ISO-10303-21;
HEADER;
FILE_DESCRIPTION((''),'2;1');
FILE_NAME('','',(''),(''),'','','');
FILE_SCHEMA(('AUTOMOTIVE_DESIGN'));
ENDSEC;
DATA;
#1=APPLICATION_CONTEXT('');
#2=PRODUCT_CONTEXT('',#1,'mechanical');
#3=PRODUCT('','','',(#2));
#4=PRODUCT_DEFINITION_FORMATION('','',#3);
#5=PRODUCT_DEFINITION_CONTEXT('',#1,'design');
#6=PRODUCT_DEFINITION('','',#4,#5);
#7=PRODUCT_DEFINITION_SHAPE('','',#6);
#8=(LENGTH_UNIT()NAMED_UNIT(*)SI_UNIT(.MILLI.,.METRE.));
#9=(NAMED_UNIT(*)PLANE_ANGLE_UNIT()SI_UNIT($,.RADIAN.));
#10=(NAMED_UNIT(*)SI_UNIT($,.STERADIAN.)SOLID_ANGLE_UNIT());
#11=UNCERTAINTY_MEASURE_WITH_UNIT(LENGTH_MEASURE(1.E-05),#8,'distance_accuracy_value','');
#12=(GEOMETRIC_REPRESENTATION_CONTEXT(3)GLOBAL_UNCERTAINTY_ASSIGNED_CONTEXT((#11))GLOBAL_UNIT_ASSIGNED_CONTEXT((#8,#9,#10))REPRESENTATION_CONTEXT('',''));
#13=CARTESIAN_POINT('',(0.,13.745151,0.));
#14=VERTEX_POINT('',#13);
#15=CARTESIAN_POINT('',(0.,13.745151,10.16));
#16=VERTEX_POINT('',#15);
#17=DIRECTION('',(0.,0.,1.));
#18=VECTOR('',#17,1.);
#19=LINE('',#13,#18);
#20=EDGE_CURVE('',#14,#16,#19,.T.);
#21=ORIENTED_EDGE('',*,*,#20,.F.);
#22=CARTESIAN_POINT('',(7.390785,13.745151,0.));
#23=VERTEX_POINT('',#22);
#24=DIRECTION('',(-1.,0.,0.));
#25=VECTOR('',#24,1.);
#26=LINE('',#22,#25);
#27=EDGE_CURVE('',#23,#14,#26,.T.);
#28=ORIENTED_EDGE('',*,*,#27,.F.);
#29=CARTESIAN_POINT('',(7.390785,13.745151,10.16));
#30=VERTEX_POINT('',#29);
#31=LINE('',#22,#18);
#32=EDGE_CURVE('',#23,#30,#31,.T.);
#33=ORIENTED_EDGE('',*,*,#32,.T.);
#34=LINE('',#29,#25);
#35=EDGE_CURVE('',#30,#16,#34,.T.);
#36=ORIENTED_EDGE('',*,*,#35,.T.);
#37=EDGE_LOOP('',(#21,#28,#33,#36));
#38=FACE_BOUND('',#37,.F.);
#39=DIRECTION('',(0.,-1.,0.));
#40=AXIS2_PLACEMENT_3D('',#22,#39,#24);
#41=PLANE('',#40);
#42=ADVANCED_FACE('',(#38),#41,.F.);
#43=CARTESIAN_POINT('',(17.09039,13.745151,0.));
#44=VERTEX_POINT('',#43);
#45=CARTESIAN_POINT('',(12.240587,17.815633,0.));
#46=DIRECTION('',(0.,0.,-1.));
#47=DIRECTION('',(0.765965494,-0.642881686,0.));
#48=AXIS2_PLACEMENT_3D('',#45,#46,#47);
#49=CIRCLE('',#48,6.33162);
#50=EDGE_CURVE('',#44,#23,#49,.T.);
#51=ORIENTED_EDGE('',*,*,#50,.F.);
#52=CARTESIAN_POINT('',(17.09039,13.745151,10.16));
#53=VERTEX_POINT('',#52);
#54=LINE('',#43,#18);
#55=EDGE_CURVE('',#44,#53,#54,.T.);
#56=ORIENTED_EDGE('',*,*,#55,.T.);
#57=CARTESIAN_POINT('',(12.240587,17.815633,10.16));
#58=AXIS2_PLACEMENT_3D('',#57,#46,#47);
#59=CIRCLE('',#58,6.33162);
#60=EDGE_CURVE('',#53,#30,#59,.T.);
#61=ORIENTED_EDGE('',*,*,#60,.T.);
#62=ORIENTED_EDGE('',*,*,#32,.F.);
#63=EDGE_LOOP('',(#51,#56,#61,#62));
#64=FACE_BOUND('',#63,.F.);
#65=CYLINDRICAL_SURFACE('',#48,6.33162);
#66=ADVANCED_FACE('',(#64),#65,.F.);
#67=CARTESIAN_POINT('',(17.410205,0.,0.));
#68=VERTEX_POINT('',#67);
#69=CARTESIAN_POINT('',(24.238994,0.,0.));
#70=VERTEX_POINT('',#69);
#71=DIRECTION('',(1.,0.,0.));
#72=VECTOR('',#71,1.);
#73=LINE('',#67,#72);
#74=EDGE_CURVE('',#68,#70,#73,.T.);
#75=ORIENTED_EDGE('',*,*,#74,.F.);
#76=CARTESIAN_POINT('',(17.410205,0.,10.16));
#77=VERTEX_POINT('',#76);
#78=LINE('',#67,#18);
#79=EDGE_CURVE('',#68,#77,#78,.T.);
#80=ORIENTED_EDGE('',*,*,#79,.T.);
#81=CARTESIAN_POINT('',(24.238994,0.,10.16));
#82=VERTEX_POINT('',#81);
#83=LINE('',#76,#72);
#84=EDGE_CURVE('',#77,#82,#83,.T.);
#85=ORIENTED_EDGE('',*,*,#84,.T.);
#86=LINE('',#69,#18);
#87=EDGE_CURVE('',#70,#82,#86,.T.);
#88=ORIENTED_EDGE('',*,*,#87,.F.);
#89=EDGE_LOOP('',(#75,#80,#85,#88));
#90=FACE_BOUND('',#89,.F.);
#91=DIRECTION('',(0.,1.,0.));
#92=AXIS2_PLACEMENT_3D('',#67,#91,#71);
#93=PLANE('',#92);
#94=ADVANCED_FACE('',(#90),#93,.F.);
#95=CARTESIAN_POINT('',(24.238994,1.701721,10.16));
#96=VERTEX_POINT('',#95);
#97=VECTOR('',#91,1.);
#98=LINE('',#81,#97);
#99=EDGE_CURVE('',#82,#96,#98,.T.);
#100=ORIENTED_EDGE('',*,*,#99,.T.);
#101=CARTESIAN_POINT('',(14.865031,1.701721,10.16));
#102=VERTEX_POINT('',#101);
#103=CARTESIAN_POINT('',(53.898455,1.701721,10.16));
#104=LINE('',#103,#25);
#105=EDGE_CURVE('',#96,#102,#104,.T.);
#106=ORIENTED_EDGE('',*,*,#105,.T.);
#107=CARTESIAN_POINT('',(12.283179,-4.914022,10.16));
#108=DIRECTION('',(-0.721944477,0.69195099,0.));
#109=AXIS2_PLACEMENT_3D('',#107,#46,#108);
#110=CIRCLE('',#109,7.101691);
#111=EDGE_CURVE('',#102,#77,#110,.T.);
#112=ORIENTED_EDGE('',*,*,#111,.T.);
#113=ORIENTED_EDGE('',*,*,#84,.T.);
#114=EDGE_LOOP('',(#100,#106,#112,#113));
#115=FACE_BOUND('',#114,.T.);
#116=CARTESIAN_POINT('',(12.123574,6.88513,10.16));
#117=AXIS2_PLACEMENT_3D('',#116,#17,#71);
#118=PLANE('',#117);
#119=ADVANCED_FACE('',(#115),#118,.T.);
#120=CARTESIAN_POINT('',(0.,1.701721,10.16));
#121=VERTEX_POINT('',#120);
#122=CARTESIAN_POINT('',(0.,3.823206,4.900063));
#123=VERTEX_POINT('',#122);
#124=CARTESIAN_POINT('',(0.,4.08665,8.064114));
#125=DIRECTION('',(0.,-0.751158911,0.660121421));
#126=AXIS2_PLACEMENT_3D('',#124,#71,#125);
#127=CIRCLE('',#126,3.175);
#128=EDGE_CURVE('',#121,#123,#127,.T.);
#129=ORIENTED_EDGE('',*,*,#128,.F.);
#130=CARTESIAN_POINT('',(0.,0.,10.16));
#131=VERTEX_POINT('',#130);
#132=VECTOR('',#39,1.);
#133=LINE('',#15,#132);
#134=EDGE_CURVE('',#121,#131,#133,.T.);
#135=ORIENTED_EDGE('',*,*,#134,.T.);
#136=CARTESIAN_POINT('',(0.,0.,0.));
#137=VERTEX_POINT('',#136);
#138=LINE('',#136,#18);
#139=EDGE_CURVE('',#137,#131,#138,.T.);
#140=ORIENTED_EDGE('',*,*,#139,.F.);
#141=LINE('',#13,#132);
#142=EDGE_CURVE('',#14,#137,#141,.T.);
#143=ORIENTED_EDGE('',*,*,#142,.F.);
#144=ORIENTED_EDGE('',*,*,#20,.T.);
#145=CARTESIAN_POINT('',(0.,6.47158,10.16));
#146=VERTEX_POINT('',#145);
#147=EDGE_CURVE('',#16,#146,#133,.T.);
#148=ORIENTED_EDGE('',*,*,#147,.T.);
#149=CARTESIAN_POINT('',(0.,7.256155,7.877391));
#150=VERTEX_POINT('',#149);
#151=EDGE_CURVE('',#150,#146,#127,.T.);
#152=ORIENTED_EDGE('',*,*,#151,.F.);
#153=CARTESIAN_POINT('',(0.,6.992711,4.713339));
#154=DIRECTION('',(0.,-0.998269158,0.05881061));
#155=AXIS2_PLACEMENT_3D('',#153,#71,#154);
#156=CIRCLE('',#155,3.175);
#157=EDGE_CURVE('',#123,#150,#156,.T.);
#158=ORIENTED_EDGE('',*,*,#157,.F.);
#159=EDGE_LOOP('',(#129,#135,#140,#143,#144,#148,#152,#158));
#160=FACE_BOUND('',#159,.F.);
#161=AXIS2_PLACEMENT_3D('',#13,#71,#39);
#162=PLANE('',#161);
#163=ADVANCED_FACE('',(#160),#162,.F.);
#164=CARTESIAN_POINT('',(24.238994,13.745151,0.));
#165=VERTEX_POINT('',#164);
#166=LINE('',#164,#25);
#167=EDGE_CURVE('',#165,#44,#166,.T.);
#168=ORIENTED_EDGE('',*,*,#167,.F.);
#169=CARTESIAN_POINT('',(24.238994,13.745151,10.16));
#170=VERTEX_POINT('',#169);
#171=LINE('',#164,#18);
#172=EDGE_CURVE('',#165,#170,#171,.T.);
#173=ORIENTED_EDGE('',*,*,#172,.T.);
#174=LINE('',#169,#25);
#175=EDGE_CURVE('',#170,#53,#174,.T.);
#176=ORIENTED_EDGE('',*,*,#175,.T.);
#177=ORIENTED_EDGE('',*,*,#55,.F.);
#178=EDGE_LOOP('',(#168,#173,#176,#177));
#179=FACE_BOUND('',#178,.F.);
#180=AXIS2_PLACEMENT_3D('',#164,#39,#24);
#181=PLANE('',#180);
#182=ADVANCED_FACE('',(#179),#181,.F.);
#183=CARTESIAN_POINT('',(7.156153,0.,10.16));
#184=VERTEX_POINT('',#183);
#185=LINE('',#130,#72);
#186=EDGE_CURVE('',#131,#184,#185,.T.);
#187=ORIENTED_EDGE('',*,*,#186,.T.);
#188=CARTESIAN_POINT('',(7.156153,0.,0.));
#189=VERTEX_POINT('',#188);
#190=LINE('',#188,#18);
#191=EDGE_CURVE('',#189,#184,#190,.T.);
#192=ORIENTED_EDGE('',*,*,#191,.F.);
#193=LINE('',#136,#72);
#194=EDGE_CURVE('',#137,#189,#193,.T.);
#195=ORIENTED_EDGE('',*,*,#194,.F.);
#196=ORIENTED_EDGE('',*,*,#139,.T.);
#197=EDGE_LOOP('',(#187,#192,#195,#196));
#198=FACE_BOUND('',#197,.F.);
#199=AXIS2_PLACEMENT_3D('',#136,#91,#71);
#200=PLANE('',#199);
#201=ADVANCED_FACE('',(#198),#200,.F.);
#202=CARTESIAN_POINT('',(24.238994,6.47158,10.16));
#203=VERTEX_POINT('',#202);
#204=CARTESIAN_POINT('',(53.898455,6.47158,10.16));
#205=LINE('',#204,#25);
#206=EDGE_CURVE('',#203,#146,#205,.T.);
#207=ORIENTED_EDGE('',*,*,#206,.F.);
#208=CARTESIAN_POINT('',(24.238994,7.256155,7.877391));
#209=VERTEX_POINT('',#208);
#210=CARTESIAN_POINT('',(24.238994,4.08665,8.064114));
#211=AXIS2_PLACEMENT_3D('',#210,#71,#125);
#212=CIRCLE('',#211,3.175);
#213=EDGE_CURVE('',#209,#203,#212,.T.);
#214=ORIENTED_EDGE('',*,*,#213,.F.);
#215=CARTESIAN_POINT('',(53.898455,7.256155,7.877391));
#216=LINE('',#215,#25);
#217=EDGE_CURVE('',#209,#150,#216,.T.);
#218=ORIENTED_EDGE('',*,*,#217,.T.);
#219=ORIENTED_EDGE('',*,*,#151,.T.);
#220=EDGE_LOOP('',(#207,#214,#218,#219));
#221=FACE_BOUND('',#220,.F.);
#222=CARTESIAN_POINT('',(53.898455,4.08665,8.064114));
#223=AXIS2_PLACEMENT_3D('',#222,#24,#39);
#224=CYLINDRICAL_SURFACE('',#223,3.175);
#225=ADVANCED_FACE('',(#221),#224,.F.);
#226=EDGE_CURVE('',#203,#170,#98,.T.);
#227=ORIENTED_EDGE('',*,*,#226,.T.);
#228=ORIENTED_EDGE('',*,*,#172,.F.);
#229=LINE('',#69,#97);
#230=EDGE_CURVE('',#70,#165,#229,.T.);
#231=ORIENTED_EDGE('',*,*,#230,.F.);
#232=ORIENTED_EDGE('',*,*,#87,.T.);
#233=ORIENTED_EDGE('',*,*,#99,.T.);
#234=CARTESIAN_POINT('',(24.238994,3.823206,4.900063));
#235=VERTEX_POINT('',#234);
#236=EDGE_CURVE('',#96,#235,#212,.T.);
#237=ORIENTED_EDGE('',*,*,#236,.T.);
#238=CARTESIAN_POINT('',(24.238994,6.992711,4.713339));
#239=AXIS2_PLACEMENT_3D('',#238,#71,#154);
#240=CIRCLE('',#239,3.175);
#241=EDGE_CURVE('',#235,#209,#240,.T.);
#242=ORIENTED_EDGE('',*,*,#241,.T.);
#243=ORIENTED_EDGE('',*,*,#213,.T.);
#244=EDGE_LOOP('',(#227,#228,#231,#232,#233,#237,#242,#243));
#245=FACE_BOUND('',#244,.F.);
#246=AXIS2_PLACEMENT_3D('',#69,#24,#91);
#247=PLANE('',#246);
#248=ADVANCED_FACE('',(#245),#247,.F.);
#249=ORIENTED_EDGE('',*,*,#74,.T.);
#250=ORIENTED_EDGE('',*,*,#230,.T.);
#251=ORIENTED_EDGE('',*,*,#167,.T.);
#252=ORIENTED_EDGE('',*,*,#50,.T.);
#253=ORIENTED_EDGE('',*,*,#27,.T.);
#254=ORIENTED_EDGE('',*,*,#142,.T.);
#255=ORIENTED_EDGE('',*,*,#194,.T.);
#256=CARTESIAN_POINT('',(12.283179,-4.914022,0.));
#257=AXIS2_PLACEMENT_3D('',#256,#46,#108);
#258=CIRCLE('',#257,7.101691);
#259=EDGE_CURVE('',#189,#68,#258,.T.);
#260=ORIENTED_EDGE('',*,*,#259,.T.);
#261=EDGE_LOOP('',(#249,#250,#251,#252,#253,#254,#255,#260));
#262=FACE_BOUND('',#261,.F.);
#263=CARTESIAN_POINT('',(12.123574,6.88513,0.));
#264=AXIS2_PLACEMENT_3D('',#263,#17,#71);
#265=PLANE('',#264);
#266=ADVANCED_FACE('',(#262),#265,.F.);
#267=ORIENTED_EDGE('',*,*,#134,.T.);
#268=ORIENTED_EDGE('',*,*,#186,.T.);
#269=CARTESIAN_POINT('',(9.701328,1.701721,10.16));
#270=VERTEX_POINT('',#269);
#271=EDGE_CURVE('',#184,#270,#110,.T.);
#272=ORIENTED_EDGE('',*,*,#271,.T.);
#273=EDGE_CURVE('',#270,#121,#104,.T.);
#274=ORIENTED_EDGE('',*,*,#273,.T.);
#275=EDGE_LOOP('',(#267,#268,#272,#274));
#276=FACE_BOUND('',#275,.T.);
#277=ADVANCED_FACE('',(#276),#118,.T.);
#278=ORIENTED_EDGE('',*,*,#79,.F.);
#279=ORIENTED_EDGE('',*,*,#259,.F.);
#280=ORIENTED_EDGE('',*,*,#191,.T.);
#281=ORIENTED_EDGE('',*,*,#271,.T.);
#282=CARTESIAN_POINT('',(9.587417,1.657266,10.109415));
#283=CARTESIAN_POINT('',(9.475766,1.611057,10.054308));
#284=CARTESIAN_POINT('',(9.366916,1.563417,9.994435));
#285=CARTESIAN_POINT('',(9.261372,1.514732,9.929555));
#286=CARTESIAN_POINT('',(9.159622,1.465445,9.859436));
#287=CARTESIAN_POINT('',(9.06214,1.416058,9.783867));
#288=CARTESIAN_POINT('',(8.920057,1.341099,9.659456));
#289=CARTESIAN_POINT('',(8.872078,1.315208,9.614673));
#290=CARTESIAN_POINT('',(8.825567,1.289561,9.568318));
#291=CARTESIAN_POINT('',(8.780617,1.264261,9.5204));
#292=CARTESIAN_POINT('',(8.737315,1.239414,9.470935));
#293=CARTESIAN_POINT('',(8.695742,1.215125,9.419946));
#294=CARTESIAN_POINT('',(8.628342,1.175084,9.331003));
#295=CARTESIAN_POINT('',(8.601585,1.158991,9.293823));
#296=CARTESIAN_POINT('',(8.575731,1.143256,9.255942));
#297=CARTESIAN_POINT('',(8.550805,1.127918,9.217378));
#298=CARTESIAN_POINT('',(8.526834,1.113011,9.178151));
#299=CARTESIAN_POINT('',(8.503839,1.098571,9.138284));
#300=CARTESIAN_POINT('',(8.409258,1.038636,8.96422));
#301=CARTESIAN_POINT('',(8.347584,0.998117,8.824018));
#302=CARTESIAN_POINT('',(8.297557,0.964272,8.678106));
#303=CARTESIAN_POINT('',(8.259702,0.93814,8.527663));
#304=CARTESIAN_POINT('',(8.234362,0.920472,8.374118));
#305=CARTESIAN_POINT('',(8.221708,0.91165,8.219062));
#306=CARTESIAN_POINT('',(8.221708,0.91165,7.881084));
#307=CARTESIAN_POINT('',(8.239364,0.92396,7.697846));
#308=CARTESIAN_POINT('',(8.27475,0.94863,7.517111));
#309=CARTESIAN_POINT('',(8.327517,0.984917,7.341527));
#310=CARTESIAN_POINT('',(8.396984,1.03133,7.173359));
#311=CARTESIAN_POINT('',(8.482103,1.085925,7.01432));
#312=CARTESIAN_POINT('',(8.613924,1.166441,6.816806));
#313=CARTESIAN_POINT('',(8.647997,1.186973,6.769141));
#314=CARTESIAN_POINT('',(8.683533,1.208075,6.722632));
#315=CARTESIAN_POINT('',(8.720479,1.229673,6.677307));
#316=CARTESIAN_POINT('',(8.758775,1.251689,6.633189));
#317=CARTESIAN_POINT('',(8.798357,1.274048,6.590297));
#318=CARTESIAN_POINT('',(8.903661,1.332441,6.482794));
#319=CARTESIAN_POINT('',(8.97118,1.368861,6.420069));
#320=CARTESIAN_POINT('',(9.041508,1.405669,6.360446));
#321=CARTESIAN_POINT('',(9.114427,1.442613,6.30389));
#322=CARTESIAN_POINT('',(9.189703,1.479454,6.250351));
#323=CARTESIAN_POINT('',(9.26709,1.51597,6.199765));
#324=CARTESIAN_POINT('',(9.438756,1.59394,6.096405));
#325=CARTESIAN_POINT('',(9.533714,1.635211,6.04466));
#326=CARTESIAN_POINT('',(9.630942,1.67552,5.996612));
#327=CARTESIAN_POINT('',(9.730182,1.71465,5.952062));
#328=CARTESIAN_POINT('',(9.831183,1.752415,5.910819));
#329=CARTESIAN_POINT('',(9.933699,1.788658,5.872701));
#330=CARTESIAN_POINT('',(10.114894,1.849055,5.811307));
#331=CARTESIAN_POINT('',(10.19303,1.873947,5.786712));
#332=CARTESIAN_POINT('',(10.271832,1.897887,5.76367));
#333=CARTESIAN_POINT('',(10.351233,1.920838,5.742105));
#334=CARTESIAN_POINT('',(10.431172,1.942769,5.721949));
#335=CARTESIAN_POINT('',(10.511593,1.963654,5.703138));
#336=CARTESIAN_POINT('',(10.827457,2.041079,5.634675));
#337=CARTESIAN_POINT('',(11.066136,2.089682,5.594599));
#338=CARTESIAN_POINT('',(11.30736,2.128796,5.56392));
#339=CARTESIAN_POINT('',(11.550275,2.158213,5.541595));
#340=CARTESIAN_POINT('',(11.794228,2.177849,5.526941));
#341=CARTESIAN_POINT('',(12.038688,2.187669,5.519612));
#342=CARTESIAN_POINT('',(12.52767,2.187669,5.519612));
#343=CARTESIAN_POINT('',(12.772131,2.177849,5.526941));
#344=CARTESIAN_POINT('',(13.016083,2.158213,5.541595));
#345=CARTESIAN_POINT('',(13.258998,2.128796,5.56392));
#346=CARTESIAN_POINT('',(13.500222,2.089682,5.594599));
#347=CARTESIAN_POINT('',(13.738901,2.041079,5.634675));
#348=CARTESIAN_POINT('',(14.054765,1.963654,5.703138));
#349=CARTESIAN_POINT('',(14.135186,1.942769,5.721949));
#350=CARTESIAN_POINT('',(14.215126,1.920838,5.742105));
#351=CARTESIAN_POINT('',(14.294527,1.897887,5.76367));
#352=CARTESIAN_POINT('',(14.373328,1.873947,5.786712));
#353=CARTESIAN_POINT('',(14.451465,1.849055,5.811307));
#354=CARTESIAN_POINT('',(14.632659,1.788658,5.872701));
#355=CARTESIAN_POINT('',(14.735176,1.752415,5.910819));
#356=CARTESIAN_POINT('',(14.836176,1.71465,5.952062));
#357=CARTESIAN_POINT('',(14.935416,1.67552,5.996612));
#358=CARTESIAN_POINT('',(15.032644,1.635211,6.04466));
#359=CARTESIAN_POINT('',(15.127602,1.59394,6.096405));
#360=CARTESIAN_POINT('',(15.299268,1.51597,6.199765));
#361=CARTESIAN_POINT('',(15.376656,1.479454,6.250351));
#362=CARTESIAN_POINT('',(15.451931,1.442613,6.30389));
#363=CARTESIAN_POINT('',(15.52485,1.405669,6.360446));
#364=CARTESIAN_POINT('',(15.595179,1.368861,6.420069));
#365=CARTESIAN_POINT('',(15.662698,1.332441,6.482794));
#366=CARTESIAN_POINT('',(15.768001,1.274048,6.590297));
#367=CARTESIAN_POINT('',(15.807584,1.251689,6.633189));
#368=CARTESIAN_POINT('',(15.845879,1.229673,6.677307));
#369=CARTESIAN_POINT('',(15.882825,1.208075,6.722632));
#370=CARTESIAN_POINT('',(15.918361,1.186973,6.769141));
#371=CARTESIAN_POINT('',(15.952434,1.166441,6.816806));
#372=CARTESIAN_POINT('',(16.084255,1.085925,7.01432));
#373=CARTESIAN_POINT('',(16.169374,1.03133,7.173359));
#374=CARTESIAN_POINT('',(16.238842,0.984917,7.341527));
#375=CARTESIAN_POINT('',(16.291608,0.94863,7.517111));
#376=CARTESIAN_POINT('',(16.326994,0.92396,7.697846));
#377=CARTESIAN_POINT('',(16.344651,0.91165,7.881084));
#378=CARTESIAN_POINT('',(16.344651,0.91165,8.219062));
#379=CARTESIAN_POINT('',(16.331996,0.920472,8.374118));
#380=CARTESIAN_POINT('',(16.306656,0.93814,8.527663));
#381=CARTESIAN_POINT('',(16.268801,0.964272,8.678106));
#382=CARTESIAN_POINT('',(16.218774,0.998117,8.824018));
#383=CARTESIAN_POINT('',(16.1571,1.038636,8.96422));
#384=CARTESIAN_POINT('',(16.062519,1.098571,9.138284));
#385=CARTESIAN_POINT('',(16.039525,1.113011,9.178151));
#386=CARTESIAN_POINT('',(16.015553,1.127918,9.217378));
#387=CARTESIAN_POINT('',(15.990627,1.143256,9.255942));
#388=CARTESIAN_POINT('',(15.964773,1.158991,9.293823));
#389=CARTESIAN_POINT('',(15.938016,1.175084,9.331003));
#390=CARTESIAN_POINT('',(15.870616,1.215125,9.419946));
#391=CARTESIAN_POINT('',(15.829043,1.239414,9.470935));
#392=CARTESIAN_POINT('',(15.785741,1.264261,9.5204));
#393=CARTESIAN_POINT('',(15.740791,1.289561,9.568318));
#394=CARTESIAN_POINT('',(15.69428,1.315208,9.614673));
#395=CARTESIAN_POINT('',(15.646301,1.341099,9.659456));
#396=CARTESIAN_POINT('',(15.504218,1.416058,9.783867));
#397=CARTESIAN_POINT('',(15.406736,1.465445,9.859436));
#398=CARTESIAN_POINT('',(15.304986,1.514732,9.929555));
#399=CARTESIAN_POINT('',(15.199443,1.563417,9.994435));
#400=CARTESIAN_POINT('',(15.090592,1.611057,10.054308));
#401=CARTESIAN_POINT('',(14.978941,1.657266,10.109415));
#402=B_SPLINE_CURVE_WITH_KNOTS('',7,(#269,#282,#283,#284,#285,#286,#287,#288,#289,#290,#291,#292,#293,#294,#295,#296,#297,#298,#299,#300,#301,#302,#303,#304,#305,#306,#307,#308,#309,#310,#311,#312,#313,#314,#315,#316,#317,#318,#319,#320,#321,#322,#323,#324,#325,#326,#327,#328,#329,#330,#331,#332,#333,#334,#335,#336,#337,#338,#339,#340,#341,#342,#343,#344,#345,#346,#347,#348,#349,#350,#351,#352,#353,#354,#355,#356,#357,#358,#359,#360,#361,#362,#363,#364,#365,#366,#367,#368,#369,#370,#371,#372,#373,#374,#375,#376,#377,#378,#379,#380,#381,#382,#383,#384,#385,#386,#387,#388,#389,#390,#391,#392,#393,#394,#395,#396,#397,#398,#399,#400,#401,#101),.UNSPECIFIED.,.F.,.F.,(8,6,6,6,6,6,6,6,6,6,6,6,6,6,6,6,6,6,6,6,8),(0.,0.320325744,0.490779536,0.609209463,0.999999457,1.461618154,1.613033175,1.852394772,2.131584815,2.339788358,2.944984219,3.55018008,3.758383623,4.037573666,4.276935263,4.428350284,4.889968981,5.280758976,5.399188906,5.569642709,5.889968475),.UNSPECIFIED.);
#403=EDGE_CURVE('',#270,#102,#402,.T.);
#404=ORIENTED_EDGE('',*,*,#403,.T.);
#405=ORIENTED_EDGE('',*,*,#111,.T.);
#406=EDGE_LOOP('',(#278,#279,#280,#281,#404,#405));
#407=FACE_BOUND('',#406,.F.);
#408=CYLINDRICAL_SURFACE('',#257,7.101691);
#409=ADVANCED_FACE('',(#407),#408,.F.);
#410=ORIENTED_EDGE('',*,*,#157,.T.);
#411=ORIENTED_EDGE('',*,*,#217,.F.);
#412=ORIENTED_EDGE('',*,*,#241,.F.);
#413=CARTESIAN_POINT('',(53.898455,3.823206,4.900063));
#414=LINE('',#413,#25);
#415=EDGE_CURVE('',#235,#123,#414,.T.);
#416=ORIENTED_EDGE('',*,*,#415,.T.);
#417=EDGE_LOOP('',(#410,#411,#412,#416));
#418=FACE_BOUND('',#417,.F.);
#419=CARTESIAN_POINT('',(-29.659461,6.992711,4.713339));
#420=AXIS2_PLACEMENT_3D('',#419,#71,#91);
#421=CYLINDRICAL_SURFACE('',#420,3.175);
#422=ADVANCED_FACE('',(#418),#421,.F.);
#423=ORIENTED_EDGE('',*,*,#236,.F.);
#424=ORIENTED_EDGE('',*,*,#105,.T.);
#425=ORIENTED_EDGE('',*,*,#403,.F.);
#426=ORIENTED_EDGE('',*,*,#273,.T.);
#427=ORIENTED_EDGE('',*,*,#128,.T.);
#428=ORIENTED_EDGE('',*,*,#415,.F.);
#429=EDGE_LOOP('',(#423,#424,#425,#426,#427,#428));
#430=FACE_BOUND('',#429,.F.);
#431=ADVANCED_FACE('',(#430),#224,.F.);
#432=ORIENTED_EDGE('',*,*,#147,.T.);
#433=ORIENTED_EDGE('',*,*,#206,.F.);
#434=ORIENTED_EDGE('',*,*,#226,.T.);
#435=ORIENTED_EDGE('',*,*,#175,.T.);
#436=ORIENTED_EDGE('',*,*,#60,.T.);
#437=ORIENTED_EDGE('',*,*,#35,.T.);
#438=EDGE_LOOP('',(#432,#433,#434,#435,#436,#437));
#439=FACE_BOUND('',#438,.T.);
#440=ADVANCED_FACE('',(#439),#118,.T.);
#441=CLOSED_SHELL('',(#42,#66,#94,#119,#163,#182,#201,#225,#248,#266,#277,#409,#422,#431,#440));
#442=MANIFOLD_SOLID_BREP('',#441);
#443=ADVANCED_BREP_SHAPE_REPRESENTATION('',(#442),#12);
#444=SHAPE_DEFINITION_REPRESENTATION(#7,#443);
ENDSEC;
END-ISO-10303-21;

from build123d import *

# Parameters (mm, degrees)
F1_DEPTH   = 10.16
F4_D       = 6.35
F4_ON_F2_D = 6.35


with BuildPart() as f1:
    # F0 (on Top) → F1 (new body)
    with BuildSketch(Plane.XY):
        with BuildLine():
            Line((0, 13.7451505288), (0, 0))
            Line((0, 0), (7.1561528284, 0))
            ThreePointArc((7.1561528284, 0), (12.2831791104, 2.1876687498), (17.4102053924, 0))
            Line((17.4102053924, 0), (24.2389943451, 0))
            Line((24.2389943451, 0), (24.2389943451, 13.7451505288))
            Line((24.2389943451, 13.7451505288), (17.0903896092, 13.7451505288))
            ThreePointArc((17.0903896092, 13.7451505288), (12.240587268, 11.4840131173), (7.3907849269, 13.7451505288))
            Line((7.3907849269, 13.7451505288), (0, 13.7451505288))
        make_face()
    extrude(amount=F1_DEPTH)

    # F4 (through all)
    with Locations(Plane.YZ.offset(24.2389943451)):
        with Locations((4.0866504423, 8.0641144887)):
            Hole(F4_D / 2)

    # F4 on F2 (through all)
    with Locations(Plane(origin=(0, 0, 0), x_dir=(0, -1, 0), z_dir=(-1, 0, 0))):
        with Locations((-6.9927107543, 4.7133392654)):
            Hole(F4_ON_F2_D / 2)


solid = f1.part
